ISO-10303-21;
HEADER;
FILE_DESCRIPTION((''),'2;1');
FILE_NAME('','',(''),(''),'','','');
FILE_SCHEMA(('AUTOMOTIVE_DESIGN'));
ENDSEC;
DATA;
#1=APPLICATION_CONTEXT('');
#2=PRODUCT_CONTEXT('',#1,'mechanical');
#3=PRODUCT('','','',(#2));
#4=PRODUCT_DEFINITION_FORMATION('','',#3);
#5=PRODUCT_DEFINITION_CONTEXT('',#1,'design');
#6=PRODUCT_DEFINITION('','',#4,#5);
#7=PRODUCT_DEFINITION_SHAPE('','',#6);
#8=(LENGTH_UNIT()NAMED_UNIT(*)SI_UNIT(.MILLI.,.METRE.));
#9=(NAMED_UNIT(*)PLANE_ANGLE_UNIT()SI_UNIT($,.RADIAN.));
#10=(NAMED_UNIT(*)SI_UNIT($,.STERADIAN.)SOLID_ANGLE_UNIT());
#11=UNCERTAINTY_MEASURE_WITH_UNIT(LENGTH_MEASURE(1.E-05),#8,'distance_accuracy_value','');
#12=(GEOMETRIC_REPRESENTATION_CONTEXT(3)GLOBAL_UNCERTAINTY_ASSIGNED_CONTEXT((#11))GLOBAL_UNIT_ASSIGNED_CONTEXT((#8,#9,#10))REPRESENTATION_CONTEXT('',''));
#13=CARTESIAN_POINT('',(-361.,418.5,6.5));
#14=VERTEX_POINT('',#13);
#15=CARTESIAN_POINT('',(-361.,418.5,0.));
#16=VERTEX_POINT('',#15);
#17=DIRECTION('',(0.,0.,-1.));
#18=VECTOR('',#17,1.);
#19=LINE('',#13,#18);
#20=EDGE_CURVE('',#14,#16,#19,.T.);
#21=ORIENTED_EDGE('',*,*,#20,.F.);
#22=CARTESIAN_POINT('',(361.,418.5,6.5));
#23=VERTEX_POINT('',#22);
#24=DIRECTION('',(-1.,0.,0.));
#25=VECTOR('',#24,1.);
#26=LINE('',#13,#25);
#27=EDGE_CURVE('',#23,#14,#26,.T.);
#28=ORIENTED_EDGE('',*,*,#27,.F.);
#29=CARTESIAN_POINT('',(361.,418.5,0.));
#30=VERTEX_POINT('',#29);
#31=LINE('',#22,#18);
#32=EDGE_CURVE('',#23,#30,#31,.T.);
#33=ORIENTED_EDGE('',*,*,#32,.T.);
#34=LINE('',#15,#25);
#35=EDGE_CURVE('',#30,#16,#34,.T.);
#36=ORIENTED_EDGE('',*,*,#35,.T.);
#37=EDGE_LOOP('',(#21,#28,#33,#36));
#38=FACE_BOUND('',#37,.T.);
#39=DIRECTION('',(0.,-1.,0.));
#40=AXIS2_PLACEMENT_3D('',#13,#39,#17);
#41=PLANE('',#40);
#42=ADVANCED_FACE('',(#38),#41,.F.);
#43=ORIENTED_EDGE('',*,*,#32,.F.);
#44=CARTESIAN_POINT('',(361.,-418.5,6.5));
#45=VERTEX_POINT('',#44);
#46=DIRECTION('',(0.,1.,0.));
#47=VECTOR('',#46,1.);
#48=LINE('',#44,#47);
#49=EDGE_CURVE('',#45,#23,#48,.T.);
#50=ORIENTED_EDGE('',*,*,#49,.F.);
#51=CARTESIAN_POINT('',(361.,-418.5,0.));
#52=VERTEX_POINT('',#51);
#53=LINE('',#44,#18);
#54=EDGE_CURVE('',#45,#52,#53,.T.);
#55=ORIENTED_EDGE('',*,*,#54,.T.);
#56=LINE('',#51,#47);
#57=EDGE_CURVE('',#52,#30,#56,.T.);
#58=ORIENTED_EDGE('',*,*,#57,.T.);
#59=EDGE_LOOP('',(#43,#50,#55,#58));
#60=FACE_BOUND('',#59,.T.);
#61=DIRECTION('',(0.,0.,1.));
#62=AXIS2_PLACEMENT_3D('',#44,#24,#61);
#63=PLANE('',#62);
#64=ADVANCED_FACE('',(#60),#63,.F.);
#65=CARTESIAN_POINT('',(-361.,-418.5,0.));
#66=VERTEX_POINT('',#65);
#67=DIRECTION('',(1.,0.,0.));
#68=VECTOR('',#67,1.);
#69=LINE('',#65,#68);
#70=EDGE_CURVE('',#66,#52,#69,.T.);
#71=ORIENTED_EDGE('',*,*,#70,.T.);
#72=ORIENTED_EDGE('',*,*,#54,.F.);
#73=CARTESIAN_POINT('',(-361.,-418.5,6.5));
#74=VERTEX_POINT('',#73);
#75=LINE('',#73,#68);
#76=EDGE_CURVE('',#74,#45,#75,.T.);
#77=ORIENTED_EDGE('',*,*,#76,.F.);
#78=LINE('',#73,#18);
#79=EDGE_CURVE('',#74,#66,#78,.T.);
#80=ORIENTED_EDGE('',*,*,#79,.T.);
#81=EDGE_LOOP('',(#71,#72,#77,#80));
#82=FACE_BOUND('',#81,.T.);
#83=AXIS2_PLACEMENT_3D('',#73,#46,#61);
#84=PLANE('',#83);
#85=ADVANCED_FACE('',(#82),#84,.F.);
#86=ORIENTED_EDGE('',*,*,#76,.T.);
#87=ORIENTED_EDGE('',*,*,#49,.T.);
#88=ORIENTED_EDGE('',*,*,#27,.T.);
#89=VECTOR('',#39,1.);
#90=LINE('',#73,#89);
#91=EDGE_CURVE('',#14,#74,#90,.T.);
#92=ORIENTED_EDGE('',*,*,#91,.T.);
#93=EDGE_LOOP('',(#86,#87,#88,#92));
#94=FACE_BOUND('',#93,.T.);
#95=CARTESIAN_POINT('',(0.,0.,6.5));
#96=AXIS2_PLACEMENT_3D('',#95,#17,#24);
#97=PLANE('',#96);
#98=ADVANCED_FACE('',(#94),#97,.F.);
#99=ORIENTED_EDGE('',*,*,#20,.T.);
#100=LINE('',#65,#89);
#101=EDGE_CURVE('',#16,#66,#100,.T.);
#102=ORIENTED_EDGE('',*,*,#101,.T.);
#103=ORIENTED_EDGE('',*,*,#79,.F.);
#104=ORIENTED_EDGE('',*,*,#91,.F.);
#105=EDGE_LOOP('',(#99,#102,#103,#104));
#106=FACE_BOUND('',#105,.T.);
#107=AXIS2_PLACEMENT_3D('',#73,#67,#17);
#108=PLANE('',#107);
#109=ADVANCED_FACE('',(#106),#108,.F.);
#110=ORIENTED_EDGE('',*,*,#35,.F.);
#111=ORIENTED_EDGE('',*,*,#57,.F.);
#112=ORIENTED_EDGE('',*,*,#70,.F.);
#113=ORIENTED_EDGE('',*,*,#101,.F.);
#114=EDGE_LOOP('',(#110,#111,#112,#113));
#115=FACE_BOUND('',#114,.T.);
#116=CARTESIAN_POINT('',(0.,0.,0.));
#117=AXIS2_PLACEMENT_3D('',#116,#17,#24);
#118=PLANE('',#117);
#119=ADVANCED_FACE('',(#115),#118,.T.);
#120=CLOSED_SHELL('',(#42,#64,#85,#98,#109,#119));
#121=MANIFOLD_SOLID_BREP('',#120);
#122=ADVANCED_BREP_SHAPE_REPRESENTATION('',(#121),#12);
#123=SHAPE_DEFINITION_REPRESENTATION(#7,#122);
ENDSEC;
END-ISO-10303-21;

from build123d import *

# Parameters (mm, degrees)
ESQUISSE1_W        = 722
ESQUISSE1_H        = 837
BOSS_EXTRU_1_DEPTH = 6.5


with BuildPart() as part:
    # Esquisse1 → Boss.-Extru.1 (new body)
    with BuildSketch(Plane.XY):
        Rectangle(ESQUISSE1_W, ESQUISSE1_H)
    extrude(amount=BOSS_EXTRU_1_DEPTH)


solid = part.part
